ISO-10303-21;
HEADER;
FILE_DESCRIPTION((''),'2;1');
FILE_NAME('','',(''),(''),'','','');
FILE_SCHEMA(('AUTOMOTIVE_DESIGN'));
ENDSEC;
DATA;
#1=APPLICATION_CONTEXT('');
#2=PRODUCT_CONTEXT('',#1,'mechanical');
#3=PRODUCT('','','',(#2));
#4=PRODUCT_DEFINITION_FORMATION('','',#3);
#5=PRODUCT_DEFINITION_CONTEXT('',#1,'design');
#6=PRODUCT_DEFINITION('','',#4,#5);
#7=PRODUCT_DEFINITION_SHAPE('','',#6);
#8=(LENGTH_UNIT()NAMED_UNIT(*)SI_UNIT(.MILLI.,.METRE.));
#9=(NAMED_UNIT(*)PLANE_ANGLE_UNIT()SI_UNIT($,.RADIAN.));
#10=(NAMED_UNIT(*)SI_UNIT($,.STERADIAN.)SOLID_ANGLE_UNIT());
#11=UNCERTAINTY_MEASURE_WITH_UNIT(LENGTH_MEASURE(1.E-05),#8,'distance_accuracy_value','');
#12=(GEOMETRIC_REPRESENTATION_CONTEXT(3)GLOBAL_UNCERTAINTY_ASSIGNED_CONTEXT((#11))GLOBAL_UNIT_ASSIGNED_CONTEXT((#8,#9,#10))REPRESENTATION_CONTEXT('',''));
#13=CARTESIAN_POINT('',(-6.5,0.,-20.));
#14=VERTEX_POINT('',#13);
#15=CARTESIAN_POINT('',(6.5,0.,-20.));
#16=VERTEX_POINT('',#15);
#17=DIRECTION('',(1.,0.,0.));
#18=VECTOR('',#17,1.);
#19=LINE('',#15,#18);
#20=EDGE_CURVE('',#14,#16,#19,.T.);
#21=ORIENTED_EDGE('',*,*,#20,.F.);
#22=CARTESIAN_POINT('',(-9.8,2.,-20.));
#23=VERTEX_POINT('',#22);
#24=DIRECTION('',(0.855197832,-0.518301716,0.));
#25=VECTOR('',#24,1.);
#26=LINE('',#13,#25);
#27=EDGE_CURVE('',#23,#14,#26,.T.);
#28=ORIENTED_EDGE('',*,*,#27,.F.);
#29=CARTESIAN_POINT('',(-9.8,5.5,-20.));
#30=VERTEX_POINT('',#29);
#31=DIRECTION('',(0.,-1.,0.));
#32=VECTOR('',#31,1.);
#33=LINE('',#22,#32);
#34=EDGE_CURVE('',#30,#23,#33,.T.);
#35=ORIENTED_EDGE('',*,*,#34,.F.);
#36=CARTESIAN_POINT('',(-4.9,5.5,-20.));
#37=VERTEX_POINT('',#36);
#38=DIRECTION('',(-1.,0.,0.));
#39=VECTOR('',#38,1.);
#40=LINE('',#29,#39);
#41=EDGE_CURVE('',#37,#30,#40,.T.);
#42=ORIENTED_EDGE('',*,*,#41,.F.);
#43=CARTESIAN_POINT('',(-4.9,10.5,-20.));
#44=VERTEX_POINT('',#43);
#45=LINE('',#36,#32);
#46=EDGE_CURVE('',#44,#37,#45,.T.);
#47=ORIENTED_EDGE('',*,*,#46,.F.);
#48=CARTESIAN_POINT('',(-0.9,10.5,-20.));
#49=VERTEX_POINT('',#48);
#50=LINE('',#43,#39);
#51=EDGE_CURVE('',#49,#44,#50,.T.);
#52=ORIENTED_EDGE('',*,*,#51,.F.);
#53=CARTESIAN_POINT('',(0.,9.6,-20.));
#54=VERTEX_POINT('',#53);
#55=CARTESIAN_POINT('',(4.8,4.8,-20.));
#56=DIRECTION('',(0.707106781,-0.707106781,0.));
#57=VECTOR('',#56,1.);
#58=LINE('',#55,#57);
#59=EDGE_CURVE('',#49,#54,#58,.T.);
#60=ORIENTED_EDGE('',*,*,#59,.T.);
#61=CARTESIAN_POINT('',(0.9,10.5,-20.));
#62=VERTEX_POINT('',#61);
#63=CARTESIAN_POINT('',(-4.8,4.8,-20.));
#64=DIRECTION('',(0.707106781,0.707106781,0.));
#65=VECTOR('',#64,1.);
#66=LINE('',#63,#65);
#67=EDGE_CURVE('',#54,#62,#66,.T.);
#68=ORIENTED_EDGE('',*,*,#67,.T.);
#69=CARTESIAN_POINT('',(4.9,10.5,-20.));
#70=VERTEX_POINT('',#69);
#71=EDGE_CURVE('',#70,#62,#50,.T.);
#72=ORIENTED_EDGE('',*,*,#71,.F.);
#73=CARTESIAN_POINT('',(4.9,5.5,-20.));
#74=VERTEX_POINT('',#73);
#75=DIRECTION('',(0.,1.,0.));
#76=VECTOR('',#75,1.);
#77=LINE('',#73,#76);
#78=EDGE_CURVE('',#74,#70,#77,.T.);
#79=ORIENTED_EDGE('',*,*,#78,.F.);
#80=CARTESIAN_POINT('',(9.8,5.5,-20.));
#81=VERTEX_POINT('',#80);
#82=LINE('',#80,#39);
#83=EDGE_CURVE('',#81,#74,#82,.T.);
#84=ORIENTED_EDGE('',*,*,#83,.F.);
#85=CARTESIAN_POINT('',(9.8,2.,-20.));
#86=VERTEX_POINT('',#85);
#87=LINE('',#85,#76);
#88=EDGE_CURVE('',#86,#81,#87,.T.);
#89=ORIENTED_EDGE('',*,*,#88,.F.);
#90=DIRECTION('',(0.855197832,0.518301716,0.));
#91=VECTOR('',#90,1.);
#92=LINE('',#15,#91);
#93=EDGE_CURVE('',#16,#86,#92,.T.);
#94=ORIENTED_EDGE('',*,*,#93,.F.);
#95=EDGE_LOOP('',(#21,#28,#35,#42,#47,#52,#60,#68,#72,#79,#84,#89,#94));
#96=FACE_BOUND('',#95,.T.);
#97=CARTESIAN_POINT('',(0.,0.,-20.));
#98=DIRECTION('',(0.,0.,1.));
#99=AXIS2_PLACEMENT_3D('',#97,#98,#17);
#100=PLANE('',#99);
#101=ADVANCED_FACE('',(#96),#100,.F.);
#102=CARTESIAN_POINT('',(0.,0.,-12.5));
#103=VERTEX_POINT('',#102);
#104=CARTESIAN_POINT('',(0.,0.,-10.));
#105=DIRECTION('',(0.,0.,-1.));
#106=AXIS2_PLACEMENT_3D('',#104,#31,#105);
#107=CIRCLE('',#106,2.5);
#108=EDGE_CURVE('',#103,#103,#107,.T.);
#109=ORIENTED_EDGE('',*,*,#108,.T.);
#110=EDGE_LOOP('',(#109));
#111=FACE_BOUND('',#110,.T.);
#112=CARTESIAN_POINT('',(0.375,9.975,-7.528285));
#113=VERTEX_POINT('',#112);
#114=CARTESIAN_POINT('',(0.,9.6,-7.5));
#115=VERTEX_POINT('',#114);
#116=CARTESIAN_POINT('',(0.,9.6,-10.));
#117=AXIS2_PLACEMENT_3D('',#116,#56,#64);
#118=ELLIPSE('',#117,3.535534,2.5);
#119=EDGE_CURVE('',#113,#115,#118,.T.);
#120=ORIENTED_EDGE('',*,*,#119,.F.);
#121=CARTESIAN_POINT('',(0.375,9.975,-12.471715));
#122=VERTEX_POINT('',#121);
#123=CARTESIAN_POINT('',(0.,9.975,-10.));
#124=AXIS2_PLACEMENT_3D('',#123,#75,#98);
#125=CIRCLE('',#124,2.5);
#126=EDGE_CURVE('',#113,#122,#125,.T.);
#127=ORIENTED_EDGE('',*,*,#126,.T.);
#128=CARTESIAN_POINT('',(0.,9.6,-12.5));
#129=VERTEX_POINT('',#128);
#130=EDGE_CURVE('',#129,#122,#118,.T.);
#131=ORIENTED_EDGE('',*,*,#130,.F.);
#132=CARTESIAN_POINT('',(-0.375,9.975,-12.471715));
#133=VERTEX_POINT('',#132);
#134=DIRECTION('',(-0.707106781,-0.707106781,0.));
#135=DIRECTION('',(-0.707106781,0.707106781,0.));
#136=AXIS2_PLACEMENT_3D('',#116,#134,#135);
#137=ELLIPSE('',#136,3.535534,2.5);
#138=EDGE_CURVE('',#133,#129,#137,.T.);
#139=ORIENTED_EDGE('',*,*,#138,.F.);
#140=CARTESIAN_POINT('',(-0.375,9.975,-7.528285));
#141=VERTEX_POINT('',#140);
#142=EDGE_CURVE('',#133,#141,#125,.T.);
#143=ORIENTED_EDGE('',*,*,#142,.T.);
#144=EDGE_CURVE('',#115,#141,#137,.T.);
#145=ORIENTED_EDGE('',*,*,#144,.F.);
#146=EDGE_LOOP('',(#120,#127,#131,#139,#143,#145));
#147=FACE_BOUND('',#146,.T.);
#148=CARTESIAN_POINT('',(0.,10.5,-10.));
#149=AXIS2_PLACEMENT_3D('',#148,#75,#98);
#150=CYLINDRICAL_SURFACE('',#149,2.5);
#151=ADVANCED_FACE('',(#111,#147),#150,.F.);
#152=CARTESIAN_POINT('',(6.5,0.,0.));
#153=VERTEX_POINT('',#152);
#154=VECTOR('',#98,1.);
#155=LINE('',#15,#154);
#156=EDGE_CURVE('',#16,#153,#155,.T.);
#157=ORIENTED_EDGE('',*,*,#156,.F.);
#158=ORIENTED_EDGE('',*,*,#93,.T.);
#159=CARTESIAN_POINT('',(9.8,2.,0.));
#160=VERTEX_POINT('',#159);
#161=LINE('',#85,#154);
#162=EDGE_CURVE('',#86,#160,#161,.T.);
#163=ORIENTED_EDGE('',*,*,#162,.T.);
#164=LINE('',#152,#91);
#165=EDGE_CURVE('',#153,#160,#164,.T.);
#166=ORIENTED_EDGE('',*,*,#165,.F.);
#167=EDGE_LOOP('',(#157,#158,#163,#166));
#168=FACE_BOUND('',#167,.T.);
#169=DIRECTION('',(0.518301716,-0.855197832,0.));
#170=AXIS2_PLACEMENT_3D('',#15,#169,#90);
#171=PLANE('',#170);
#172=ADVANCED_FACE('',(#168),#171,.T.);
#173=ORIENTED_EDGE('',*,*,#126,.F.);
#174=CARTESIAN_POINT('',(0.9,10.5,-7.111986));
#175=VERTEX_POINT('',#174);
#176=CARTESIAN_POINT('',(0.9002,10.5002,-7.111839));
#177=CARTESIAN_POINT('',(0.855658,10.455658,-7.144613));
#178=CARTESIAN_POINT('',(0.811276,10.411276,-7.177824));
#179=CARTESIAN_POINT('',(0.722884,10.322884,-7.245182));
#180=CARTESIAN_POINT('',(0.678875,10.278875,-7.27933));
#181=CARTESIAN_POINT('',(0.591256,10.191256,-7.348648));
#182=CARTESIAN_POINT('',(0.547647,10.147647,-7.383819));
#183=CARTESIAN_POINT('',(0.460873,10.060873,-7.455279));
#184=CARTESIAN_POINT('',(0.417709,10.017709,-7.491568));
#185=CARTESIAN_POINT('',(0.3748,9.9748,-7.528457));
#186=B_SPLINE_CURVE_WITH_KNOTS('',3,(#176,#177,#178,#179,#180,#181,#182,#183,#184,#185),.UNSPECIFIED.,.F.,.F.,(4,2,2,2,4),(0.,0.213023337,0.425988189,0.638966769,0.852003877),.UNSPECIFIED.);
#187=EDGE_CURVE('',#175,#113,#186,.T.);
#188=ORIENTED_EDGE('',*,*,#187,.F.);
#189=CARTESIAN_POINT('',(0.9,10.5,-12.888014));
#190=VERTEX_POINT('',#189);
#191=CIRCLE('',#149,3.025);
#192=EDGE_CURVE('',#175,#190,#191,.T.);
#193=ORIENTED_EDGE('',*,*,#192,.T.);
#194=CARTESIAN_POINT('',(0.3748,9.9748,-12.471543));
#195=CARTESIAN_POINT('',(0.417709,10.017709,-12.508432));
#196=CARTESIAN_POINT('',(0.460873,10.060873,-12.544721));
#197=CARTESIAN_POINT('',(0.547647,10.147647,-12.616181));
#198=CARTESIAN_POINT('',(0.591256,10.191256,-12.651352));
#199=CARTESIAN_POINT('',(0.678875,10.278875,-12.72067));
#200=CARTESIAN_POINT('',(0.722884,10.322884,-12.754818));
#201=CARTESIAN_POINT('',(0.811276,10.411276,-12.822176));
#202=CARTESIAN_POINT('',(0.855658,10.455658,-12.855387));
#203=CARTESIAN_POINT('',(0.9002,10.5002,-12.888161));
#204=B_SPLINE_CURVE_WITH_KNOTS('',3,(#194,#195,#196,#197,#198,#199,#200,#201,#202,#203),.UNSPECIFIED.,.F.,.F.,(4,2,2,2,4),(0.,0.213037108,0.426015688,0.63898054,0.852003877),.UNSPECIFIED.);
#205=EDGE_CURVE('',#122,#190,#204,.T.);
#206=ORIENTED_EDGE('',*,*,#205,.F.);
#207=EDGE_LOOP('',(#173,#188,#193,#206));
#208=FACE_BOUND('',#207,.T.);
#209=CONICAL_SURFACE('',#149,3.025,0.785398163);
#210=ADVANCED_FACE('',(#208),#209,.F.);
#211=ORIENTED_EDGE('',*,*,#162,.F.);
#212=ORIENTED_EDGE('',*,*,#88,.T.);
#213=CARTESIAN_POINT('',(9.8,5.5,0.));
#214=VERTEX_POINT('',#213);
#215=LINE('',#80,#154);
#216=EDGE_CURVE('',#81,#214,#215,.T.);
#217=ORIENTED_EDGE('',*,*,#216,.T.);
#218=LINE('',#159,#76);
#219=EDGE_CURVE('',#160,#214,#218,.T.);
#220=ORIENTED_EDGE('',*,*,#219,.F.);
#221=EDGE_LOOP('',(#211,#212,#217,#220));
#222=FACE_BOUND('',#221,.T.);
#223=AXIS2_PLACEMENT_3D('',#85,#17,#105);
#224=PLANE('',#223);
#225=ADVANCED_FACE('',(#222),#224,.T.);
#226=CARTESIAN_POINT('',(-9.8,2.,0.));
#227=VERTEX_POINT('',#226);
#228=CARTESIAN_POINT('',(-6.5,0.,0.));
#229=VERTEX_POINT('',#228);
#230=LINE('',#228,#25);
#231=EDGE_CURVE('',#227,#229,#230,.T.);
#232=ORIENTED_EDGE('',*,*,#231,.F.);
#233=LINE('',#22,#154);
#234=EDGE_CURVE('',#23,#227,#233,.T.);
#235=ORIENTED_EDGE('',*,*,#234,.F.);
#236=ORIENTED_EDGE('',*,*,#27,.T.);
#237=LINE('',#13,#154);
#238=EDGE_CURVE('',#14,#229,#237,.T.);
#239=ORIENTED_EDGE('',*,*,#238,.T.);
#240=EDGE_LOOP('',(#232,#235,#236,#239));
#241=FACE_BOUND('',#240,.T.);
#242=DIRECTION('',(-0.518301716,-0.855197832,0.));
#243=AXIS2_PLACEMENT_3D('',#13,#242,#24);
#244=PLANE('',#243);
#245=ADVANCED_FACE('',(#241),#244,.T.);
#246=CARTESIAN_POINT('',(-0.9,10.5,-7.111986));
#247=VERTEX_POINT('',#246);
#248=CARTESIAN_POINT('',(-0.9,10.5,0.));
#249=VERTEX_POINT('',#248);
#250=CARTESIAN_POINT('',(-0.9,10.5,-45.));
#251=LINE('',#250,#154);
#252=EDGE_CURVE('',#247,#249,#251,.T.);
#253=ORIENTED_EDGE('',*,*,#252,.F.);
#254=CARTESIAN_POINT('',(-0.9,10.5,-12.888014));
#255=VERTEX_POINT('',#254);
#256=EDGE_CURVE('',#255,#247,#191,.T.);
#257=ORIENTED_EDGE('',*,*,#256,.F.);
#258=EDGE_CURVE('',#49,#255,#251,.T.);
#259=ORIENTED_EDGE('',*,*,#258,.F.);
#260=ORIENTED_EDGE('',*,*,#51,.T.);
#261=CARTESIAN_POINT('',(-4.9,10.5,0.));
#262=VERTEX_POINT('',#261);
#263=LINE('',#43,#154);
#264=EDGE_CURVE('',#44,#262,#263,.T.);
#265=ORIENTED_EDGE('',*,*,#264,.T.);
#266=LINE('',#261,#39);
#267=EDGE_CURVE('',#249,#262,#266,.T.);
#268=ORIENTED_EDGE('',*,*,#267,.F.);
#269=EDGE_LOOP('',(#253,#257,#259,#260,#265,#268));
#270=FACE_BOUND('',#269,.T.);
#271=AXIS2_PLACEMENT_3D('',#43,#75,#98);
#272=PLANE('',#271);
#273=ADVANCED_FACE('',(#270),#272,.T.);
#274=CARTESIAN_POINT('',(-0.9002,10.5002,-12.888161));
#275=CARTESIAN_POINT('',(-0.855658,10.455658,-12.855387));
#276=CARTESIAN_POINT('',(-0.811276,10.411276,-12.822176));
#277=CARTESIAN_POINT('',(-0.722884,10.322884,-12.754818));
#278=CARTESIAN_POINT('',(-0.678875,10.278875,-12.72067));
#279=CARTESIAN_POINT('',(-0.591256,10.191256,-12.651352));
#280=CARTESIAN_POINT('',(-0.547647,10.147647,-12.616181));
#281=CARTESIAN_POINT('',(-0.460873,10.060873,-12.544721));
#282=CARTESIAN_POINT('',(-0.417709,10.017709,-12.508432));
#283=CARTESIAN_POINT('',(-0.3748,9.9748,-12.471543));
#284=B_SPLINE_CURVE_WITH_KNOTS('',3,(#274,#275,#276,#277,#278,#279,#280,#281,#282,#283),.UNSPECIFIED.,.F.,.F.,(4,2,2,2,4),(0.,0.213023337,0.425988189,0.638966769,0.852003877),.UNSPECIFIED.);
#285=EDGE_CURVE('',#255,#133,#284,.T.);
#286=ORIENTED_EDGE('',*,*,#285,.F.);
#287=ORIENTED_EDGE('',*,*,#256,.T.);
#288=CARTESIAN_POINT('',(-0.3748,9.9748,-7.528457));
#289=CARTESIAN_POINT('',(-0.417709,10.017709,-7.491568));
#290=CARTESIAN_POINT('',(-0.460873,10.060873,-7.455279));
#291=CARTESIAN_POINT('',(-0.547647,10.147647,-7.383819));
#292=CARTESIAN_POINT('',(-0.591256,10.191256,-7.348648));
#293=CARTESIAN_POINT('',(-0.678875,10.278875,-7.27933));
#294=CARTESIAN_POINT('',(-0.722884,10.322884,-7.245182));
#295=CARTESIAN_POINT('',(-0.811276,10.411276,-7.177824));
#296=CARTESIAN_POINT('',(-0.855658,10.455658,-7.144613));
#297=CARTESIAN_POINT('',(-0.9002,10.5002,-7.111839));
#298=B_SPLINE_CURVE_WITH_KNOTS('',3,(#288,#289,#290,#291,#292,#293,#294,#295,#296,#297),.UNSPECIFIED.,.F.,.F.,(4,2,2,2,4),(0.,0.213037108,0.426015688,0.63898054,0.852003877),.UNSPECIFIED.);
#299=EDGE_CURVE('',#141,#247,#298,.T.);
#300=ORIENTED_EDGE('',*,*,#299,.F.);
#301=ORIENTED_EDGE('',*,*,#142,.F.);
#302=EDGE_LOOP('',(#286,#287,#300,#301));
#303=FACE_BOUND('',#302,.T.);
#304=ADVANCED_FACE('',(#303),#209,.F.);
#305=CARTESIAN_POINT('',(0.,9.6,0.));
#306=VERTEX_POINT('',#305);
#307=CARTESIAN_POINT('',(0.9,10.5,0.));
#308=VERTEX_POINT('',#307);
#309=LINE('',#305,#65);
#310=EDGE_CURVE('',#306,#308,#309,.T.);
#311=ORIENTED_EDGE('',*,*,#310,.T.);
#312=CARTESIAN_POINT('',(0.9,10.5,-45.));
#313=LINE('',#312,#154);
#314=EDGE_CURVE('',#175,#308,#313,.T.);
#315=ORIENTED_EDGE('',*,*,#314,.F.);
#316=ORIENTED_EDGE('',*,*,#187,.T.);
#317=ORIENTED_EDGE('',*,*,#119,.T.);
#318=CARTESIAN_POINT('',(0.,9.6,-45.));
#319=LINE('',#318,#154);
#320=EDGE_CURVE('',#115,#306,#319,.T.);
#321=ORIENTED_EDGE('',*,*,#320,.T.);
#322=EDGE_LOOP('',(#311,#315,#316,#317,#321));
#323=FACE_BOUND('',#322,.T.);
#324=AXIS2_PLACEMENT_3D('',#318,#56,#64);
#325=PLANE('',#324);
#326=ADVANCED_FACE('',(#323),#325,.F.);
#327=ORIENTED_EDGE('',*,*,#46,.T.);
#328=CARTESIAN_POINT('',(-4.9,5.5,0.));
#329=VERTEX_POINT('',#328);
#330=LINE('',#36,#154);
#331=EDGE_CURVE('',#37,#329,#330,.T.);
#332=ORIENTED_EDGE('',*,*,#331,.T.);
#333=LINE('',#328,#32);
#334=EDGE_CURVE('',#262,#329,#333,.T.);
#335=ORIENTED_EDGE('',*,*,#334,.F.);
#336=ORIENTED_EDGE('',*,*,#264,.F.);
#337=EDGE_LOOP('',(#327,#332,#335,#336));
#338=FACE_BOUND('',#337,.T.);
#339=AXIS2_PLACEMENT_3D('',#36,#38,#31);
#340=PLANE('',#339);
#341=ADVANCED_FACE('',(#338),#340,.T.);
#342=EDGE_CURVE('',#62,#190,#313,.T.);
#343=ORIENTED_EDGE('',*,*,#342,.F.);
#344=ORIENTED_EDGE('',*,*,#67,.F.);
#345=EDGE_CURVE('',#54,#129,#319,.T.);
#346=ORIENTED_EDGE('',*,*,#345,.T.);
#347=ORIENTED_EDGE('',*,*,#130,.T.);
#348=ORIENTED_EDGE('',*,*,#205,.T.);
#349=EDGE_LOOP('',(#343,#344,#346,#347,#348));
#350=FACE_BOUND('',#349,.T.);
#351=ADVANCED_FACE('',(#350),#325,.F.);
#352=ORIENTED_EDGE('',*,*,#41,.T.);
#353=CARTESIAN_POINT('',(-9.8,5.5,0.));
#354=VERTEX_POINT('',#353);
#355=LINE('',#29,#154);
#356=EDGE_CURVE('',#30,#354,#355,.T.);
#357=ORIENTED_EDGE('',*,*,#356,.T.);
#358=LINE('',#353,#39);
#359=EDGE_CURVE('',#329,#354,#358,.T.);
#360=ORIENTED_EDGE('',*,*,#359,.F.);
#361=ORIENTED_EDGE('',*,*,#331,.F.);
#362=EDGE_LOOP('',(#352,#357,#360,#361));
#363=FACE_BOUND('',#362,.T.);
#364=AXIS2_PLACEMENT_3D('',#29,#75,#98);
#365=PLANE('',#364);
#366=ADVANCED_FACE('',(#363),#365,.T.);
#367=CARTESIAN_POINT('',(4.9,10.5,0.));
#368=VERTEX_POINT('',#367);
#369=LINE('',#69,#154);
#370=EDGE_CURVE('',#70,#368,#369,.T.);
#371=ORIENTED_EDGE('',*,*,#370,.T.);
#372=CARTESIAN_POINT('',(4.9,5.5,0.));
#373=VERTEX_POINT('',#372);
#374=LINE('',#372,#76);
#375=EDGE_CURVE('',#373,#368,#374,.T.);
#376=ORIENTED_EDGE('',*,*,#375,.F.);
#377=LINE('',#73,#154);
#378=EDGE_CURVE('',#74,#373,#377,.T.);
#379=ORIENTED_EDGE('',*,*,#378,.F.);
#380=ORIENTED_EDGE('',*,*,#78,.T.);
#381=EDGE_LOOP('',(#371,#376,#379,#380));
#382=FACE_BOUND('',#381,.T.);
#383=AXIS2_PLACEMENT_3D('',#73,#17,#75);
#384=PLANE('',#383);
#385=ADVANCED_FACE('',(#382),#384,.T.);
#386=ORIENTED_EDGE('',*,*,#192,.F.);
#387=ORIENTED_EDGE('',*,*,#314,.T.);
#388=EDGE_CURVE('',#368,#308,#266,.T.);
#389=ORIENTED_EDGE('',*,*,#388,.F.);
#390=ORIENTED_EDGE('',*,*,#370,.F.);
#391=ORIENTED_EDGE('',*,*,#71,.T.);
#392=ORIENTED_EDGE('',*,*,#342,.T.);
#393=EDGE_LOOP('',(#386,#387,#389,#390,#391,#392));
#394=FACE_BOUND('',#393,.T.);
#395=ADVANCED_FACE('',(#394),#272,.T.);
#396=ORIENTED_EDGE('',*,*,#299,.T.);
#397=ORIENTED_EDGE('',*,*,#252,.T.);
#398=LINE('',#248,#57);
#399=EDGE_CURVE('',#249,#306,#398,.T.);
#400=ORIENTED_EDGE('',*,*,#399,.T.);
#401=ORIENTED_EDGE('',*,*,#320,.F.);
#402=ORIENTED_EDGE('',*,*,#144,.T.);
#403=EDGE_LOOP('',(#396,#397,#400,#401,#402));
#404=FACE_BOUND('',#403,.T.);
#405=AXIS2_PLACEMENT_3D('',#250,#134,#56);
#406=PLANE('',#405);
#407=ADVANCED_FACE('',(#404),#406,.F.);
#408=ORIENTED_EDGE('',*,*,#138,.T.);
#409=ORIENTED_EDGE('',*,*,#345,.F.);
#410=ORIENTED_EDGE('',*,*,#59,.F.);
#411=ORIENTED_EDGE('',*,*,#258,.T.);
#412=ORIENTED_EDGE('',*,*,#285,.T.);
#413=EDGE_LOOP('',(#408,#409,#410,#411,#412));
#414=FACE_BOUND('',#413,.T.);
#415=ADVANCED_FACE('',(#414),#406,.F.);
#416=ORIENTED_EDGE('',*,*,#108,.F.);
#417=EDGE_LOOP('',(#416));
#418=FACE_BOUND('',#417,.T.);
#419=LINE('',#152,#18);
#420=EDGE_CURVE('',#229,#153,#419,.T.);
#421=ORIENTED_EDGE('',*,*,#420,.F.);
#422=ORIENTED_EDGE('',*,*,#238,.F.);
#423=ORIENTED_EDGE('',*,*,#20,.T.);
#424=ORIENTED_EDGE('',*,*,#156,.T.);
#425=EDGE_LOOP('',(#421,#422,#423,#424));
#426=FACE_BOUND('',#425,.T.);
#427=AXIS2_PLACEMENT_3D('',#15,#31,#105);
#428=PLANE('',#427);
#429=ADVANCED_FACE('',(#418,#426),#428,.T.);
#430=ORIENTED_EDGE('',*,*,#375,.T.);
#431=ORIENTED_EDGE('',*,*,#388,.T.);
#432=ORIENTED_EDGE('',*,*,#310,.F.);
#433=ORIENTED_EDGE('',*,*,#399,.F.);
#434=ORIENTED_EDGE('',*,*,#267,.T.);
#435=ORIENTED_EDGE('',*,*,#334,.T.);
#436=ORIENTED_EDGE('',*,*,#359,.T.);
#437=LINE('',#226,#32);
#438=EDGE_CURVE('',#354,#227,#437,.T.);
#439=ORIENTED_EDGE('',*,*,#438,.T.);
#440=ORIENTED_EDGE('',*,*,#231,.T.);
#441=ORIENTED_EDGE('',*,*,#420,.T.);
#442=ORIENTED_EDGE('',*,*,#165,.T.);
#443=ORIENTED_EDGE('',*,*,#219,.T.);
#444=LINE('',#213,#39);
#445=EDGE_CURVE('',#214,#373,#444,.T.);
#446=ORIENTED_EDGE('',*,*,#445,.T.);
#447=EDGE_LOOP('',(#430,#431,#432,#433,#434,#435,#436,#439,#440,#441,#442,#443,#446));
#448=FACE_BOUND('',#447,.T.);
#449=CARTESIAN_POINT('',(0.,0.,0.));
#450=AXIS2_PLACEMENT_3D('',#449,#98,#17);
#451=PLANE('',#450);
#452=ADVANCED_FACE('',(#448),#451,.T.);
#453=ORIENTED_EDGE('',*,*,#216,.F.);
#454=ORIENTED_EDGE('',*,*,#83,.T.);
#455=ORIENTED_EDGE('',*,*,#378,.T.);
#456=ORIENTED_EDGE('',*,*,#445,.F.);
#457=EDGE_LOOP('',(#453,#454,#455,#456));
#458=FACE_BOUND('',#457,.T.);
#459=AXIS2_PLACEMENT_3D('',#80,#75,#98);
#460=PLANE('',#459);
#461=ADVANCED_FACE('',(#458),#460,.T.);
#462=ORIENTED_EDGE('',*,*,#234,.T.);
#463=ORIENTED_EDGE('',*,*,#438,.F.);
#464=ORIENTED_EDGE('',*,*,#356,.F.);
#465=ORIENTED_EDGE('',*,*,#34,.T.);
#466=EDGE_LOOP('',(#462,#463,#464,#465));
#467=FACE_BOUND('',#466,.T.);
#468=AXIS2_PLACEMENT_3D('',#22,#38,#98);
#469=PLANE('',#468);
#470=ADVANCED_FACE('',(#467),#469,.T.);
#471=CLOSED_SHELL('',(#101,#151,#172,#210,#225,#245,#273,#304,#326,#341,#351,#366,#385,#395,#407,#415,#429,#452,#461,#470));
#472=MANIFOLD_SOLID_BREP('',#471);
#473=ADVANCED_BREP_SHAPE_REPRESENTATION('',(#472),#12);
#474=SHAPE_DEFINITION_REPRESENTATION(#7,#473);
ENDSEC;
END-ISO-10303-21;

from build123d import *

# Parameters (mm, degrees)
BOSS_EXTRUDE1_DEPTH             = 20
CUT_EXTRUDE1_DEPTH              = 45
M6X1_0_TAPPED_HOLE1_D           = 5
M6X1_0_TAPPED_HOLE1_DEPTH       = 15
M6X1_0_TAPPED_HOLE1_CSINK_D     = 6.05
M6X1_0_TAPPED_HOLE1_CSINK_ANGLE = 90
M6X1_0_TAPPED_HOLE1_TIP         = 1.502151548


with BuildPart() as part:
    # Sketch1 → Boss-Extrude1 (new body)
    with BuildSketch(Plane.XY):
        Polygon((6.5, 0), (-6.5, 0), (-9.8, 2), (-9.8, 5.5), (-4.9, 5.5), (-4.9, 10.5), (4.9, 10.5), (4.9, 5.5), (9.8, 5.5), (9.8, 2), align=None)
    extrude(amount=-BOSS_EXTRUDE1_DEPTH)

    # Sketch2 → Cut-Extrude1 (cut)
    with BuildSketch(Plane.XY):
        Polygon((-0.9, 10.5), (0, 9.6), (0.9, 10.5), align=None)
    extrude(amount=-CUT_EXTRUDE1_DEPTH, mode=Mode.SUBTRACT)

    # M6x1.0 Tapped Hole1
    with Locations(Plane(origin=(0, 10.5, 0), x_dir=(1, 0, 0), z_dir=(0, 1, 0))):
        with Locations((0, 10)):
            CounterSinkHole(M6X1_0_TAPPED_HOLE1_D / 2, M6X1_0_TAPPED_HOLE1_CSINK_D / 2, depth=M6X1_0_TAPPED_HOLE1_DEPTH, counter_sink_angle=M6X1_0_TAPPED_HOLE1_CSINK_ANGLE)
            with Locations((0, 0, -(M6X1_0_TAPPED_HOLE1_DEPTH + M6X1_0_TAPPED_HOLE1_TIP / 2))):  # 118° drill point
                Cone(0, M6X1_0_TAPPED_HOLE1_D / 2, M6X1_0_TAPPED_HOLE1_TIP, mode=Mode.SUBTRACT)


solid = part.part
